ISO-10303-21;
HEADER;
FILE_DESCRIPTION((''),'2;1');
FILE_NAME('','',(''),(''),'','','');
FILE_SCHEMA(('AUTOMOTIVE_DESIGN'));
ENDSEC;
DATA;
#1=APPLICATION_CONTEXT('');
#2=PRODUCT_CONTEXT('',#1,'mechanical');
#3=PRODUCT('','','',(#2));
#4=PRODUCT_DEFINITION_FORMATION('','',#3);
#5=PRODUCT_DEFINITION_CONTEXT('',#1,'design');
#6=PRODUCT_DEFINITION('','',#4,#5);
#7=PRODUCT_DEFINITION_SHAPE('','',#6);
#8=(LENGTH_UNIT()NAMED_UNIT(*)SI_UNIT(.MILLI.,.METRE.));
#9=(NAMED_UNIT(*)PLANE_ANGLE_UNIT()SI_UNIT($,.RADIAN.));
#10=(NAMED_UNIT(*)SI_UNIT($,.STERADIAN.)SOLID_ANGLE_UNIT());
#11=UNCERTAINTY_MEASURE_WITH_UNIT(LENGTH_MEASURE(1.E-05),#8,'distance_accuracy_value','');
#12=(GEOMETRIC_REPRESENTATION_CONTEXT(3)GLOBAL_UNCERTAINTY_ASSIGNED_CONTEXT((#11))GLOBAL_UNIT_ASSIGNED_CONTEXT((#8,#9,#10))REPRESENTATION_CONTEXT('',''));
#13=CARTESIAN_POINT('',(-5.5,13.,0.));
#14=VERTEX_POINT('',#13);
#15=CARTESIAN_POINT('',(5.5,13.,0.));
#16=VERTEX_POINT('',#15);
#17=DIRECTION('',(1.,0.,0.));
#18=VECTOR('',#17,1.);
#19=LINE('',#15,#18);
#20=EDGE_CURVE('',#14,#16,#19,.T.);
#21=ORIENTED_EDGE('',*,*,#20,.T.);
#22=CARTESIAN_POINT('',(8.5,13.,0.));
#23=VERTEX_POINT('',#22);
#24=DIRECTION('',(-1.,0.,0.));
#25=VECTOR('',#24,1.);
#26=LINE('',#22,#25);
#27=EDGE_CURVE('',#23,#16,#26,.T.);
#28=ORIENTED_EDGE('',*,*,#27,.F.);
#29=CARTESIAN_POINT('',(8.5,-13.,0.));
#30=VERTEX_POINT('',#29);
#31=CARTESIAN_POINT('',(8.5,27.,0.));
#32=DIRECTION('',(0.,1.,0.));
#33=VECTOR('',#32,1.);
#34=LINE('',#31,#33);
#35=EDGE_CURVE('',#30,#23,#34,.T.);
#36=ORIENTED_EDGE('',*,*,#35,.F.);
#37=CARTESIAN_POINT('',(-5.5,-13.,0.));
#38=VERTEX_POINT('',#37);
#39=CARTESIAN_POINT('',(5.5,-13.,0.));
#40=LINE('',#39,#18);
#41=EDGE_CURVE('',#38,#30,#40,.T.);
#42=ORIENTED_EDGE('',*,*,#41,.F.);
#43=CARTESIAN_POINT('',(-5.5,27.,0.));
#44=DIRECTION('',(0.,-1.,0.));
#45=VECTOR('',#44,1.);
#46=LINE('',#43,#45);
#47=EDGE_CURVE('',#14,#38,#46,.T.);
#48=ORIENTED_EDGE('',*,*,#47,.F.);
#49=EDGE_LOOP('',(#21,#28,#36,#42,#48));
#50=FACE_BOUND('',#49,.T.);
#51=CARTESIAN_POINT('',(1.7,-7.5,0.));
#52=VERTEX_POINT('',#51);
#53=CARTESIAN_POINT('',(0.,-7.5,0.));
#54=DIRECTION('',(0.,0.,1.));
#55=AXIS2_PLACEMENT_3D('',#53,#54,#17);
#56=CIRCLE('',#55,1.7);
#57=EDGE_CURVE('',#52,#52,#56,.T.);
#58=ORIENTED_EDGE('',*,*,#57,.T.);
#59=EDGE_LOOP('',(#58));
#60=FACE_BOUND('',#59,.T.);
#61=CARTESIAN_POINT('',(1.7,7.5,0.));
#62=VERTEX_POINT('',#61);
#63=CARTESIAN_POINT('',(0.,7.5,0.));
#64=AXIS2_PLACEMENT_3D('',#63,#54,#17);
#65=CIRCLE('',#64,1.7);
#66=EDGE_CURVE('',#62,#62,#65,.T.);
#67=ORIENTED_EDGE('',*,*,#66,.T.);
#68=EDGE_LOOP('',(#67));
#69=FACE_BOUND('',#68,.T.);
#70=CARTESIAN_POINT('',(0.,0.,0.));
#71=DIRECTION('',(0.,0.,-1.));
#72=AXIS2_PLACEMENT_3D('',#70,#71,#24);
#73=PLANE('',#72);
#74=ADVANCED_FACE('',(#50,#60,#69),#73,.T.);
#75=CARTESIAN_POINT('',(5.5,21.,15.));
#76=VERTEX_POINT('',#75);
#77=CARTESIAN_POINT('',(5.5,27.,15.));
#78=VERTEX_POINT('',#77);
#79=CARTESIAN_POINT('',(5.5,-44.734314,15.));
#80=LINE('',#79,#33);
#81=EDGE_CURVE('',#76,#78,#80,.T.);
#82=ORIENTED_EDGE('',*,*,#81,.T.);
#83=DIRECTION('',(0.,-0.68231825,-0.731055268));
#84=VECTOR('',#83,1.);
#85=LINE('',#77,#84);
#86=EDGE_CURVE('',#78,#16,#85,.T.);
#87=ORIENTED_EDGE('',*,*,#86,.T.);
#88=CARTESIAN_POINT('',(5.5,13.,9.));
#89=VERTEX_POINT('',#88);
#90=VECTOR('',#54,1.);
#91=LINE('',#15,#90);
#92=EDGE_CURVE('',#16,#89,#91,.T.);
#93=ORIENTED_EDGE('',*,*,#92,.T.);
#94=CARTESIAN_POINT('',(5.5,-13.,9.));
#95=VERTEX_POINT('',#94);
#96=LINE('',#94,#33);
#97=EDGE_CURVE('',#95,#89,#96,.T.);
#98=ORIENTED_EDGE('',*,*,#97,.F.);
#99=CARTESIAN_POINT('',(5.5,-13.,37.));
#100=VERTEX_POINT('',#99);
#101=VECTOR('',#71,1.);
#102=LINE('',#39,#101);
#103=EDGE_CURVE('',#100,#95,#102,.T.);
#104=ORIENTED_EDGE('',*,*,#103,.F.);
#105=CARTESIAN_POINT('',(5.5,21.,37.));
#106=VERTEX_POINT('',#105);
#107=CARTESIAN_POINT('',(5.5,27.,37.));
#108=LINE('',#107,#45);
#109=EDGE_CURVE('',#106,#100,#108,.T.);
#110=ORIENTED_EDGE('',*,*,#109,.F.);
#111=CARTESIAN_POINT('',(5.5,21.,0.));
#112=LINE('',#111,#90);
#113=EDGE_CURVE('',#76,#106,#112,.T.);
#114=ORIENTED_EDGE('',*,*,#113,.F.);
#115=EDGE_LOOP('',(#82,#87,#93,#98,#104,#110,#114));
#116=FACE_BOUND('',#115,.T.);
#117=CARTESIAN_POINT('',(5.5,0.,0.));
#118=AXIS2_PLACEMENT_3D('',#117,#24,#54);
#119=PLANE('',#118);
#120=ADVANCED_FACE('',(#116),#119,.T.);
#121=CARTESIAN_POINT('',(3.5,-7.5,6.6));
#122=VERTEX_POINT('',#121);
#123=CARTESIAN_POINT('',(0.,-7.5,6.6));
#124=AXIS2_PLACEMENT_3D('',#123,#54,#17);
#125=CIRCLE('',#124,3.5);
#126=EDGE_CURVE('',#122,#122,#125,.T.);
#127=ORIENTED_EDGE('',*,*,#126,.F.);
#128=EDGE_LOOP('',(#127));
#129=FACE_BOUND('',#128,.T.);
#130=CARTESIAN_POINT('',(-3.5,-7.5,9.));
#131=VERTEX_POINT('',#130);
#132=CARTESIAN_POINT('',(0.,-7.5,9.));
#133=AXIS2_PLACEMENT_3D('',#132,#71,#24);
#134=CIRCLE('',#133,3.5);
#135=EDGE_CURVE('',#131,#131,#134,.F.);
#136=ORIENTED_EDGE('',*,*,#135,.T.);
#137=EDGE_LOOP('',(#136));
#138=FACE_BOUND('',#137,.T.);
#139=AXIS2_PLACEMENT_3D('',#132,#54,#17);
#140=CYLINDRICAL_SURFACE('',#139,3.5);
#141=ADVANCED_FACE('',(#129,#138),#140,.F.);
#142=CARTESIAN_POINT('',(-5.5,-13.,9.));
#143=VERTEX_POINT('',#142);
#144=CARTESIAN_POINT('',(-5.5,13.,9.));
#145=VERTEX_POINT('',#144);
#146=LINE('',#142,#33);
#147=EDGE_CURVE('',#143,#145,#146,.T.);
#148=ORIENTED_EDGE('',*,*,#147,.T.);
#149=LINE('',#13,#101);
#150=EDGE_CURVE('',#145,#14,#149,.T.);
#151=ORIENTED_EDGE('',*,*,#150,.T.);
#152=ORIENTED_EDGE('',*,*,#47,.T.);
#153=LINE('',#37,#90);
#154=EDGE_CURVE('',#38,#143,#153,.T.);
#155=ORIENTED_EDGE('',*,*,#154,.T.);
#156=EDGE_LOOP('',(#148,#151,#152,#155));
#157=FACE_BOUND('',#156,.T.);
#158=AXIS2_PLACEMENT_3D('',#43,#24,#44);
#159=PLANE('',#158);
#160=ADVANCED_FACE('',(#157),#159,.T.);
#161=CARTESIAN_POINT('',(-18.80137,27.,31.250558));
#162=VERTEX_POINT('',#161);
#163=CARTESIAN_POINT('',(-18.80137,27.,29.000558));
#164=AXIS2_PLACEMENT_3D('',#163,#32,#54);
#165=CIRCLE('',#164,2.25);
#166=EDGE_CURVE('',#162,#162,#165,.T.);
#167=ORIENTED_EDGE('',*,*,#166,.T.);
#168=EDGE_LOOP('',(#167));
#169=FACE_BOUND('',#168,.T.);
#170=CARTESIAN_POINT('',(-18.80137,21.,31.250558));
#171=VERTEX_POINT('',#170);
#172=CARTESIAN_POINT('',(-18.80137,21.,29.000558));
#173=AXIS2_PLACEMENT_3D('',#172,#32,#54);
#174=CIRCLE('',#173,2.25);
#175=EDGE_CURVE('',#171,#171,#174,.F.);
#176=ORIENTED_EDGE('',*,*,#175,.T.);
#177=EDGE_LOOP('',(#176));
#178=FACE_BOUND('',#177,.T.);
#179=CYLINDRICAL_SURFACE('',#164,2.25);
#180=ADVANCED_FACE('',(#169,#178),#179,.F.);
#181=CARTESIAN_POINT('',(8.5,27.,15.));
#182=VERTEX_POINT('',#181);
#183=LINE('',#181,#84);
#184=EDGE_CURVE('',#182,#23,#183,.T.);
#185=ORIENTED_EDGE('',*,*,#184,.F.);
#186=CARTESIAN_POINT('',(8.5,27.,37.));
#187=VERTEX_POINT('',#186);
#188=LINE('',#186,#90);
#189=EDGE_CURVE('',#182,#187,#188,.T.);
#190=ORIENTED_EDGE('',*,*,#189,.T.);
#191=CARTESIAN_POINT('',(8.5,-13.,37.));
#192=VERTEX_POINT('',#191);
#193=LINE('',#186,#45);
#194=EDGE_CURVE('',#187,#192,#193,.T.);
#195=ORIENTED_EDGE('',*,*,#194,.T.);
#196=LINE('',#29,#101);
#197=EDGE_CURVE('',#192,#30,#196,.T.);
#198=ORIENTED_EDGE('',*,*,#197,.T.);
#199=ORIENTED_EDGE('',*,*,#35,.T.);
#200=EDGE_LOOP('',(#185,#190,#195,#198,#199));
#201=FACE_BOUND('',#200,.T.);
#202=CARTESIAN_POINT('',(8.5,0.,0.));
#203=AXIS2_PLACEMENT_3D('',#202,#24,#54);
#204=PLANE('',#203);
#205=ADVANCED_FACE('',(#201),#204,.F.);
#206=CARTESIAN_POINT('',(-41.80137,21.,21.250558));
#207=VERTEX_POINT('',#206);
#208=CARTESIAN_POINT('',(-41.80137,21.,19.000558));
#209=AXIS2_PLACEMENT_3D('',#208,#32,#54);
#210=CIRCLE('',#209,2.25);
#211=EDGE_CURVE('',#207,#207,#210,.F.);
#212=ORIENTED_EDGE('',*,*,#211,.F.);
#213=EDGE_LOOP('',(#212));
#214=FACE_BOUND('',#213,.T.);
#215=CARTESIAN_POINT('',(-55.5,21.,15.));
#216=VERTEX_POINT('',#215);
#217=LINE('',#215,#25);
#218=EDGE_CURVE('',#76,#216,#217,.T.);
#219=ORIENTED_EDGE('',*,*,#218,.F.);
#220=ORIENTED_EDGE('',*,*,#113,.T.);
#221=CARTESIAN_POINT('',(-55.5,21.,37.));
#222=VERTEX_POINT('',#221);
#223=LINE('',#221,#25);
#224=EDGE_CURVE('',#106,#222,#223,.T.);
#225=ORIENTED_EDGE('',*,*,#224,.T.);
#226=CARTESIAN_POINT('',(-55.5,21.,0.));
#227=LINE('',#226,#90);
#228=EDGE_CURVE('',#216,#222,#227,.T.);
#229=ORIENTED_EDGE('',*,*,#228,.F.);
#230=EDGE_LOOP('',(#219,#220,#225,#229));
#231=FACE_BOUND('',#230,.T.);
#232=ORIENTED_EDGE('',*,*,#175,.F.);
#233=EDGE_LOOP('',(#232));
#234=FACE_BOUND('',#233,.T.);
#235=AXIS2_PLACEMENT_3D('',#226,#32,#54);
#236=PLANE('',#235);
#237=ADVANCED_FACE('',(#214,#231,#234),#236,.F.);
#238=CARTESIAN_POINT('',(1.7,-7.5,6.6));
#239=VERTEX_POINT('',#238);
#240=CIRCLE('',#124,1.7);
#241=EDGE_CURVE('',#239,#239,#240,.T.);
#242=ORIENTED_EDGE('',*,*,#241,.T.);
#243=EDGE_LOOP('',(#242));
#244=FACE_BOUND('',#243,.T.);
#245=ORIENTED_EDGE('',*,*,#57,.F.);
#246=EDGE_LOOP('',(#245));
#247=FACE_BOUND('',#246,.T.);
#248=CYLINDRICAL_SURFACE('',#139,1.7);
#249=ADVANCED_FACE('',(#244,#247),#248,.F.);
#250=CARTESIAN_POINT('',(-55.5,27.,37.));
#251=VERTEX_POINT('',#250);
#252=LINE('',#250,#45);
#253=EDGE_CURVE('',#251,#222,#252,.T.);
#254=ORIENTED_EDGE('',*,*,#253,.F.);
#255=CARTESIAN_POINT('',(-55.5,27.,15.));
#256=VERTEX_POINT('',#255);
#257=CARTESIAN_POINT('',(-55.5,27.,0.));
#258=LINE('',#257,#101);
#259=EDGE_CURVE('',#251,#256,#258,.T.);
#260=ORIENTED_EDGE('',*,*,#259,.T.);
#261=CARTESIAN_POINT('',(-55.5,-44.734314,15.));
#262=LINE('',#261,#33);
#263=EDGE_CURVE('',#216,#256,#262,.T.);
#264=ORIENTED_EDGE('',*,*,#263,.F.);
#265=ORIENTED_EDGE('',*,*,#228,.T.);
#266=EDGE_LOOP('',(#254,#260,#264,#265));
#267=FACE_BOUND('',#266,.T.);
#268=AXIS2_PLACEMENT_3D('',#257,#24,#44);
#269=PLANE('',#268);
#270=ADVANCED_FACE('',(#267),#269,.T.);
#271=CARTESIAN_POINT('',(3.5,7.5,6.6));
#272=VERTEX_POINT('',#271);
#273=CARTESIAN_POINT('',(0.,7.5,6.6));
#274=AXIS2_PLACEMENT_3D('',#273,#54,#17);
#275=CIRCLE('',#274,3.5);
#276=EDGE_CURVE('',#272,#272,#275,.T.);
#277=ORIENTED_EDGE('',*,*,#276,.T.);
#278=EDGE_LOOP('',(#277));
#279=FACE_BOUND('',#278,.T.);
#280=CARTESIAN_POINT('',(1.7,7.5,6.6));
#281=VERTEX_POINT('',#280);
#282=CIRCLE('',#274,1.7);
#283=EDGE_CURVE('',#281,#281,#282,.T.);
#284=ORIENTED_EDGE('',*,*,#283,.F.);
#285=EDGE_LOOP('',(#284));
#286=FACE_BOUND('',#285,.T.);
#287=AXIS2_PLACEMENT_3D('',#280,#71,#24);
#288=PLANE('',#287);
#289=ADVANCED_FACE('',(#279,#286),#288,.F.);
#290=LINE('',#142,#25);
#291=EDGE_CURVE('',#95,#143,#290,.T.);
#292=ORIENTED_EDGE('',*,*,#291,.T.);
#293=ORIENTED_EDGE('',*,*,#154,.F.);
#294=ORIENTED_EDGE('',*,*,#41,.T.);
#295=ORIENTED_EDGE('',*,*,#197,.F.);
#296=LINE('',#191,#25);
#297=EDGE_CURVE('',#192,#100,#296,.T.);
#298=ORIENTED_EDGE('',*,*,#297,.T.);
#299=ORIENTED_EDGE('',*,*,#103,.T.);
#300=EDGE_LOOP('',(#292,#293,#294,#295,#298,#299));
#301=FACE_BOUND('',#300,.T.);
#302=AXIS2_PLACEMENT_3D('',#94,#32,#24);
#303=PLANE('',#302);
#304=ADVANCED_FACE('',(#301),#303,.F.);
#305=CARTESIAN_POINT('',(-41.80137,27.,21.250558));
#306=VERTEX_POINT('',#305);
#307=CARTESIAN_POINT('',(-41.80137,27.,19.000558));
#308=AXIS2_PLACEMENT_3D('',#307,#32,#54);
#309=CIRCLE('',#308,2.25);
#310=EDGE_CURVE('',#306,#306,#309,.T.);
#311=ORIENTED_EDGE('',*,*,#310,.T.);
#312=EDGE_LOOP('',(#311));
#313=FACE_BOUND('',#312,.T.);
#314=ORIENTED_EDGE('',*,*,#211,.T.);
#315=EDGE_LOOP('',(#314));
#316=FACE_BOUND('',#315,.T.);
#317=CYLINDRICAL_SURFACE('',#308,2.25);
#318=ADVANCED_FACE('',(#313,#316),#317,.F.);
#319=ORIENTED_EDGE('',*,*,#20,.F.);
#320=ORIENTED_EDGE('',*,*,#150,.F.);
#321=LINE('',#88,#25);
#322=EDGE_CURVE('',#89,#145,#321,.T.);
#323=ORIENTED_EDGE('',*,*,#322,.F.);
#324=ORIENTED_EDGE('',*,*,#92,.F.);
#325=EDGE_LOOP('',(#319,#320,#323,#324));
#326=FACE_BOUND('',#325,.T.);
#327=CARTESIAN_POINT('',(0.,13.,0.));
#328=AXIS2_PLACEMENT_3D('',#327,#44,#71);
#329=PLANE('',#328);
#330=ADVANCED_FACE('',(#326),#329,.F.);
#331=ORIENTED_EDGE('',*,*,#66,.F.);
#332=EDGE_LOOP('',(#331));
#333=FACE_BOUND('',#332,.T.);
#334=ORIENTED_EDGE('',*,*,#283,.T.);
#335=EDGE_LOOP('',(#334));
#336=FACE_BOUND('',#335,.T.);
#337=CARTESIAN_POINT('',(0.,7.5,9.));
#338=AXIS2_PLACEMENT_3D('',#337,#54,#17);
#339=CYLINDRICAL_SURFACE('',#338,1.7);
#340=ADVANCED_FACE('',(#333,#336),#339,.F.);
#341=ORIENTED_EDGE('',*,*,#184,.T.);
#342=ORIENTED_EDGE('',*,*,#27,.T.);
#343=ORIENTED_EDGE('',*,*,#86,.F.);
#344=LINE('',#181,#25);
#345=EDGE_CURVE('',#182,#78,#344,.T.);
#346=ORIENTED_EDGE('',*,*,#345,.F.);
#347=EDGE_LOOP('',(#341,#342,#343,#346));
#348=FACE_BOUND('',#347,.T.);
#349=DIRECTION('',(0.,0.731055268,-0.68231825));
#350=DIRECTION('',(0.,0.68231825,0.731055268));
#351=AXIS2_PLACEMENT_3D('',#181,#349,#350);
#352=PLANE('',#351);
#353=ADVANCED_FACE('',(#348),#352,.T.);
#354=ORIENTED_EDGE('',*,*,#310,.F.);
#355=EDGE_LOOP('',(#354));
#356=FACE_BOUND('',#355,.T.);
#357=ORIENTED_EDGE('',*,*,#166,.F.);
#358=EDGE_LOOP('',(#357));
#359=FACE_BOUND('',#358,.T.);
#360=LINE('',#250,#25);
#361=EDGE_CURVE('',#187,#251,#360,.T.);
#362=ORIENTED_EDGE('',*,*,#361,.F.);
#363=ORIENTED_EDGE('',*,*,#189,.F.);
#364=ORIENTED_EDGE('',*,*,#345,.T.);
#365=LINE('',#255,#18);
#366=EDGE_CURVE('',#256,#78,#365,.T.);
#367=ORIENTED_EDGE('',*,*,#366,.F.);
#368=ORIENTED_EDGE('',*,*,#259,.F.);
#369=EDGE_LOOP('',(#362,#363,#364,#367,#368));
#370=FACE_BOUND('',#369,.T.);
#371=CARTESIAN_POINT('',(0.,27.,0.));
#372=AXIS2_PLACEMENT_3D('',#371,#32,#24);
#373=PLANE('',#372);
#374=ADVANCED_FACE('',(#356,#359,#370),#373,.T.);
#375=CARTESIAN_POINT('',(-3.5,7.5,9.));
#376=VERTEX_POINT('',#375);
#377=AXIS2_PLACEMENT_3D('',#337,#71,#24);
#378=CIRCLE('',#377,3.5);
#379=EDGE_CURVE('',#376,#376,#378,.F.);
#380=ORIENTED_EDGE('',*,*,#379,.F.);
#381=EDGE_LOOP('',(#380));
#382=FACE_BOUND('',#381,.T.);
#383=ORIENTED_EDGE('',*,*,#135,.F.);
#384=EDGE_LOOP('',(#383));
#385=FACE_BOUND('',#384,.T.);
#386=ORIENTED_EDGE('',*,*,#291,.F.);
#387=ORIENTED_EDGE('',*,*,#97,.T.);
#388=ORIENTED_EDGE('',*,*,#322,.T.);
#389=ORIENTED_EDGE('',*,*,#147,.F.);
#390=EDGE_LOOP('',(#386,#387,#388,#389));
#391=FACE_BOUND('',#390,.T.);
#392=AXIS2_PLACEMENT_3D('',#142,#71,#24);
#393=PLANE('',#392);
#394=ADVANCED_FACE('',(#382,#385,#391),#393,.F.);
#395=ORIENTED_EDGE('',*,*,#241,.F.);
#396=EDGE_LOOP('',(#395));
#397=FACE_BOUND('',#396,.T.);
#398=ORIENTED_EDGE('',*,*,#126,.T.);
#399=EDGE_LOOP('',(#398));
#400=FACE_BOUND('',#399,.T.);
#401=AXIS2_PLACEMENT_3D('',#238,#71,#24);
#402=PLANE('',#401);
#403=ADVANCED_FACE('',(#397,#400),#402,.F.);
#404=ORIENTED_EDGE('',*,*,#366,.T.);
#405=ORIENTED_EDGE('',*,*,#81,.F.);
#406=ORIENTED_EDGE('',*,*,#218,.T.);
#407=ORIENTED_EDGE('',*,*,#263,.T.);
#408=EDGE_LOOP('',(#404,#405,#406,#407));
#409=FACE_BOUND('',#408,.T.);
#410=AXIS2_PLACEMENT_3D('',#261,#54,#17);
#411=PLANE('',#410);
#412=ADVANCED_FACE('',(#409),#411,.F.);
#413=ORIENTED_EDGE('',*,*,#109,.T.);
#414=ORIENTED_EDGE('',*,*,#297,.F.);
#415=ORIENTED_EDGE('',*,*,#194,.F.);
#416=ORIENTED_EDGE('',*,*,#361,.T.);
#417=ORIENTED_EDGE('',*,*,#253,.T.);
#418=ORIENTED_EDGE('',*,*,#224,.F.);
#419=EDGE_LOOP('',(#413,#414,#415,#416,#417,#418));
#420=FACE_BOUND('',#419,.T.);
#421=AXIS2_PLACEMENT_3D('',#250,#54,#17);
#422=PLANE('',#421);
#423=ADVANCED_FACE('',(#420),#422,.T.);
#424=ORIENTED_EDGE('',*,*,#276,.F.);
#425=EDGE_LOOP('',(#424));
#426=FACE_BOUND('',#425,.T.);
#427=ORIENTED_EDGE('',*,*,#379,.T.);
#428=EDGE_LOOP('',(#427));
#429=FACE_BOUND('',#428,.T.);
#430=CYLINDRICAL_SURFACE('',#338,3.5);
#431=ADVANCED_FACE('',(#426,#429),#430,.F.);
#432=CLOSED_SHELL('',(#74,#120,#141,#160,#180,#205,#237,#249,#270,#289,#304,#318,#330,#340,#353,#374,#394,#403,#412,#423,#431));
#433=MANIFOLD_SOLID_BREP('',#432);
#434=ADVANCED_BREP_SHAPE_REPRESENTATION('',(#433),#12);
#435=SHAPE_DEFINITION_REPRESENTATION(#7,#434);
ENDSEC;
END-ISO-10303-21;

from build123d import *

# Parameters (mm, degrees)
ESQUISSE1_W                                        = 11
ESQUISSE1_H                                        = 26
BOSS_EXTRU_1_DEPTH                                 = 9
CHAMBRAGE_POUR_VIS_T_TE_RONDE_BOMB_E_M_D           = 3.4
CHAMBRAGE_POUR_VIS_T_TE_RONDE_BOMB_E_M_CBORE_D     = 7
CHAMBRAGE_POUR_VIS_T_TE_RONDE_BOMB_E_M_CBORE_DEPTH = 2.4
BOSS_EXTRU_2_DEPTH                                 = 40
DIAM_TRE_DU_PER_AGE_4_5_4_5_1_D                    = 4.5
ESQUISSE20_W                                       = 11
ESQUISSE20_H                                       = 28
ENL_V_MAT_EXTRU_6_DEPTH                            = 78.776924598
ESQUISSE21_W                                       = 50
ESQUISSE21_H                                       = 34
ENL_V_MAT_EXTRU_7_DEPTH                            = 72.960058366
ESQUISSE23_W                                       = 11
ESQUISSE23_H                                       = 14
BOSS_EXTRU_3_DEPTH                                 = 37
ESQUISSE24_W                                       = 37
ESQUISSE24_H                                       = 40
BOSS_EXTRU_4_DEPTH                                 = 3
ESQUISSE27_W                                       = 11
ESQUISSE27_H                                       = 37
ENL_V_MAT_EXTRU_11_DEPTH                           = 8
ESQUISSE28_W                                       = 64
ESQUISSE28_H                                       = 15
ENL_V_MAT_EXTRU_12_DEPTH                           = 6
ESQUISSE30_W                                       = 15
ESQUISSE30_H                                       = 8
ENL_V_MAT_EXTRU_13_DEPTH                           = 77.282370178
BOSS_EXTRU_6_DEPTH                                 = 3


with BuildPart() as part:
    # Esquisse1 → Boss.-Extru.1 (new body)
    with BuildSketch(Plane.XY):
        Rectangle(ESQUISSE1_W, ESQUISSE1_H)
    extrude(amount=BOSS_EXTRU_1_DEPTH)

    # Chambrage pour vis à tête ronde bombée M31 (through all)
    with Locations(Plane.XY.offset(9)):
        with Locations((0, 7.5), (0, -7.5)):
            CounterBoreHole(CHAMBRAGE_POUR_VIS_T_TE_RONDE_BOMB_E_M_D / 2, CHAMBRAGE_POUR_VIS_T_TE_RONDE_BOMB_E_M_CBORE_D / 2, CHAMBRAGE_POUR_VIS_T_TE_RONDE_BOMB_E_M_CBORE_DEPTH)

    # Esquisse8 → Boss.-Extru.2 (add)
    with BuildSketch(Plane.XZ.offset(13)):
        Polygon((-55.5, 0), (-55.5, 37), (5.5, 37), (5.5, 9), (-5.5, 9), (-5.5, 0), align=None)
    extrude(amount=-BOSS_EXTRU_2_DEPTH)

    # Diamètre du perçage Ø4.5 (4.5)1 (through all)
    with Locations(Plane(origin=(0, 27, 0), x_dir=(1, 0, 0), z_dir=(0, 1, 0))):
        with Locations((-41.801370091, -19.00055804), (-18.801370091, -29.00055804)):
            Hole(DIAM_TRE_DU_PER_AGE_4_5_4_5_1_D / 2)

    # Esquisse20 → Enlèv. mat.-Extru.6 (cut, through all)
    with BuildSketch(Plane(origin=(0, 27, 0), x_dir=(1, 0, 0), z_dir=(0, 1, 0))):
        with Locations((0, -23)):
            Rectangle(ESQUISSE20_W, ESQUISSE20_H)
    extrude(amount=-ENL_V_MAT_EXTRU_6_DEPTH, mode=Mode.SUBTRACT)

    # Esquisse21 → Enlèv. mat.-Extru.7 (cut, through all)
    with BuildSketch(Plane.XY.offset(37)):
        with Locations((-30.5, 4)):
            Rectangle(ESQUISSE21_W, ESQUISSE21_H)
    extrude(amount=-ENL_V_MAT_EXTRU_7_DEPTH, mode=Mode.SUBTRACT)


with BuildPart() as enl_v_mat_extru_7_piece_1:
    # of the separate pieces the step leaves, piece 1, a body of its own (enl_v_mat_extru_7_pieces)
    add(part.part.solids().sort_by_distance((-5.5, 21, 0))[0])



with BuildPart() as enl_v_mat_extru_7_piece_2:
    # of the separate pieces the step leaves, piece 2, a body of its own (enl_v_mat_extru_7_pieces)
    add(part.part.solids().sort_by_distance((5.5, 13, 0))[0])


with BuildPart() as enl_v_mat_extru_7_piece_1_1:
    add(enl_v_mat_extru_7_piece_1.part)

    add(enl_v_mat_extru_7_piece_2.part)  # Boss.-Extru.3 merges Enlèv. mat.-Extru.7 piece 2
    # Esquisse23 → Boss.-Extru.3 (add, through all)
    with BuildSketch(Plane.XY.offset(37)):
        with Locations((0, 20)):
            Rectangle(ESQUISSE23_W, ESQUISSE23_H)
    extrude(amount=-BOSS_EXTRU_3_DEPTH)

    # Esquisse24 → Boss.-Extru.4 (add)
    with BuildSketch(Plane(origin=(5.5, 0, 0), x_dir=(0, 0, -1), z_dir=(1, 0, 0))):
        with Locations((-18.5, 7)):
            Rectangle(ESQUISSE24_W, ESQUISSE24_H)
    extrude(amount=BOSS_EXTRU_4_DEPTH)

    # Esquisse27 → Enlèv. mat.-Extru.11 (cut)
    with BuildSketch(Plane.XZ.offset(-21)):
        with Locations((0, 18.5)):
            Rectangle(ESQUISSE27_W, ESQUISSE27_H)
    extrude(amount=ENL_V_MAT_EXTRU_11_DEPTH, mode=Mode.SUBTRACT)

    # Esquisse28 → Enlèv. mat.-Extru.12 (cut)
    with BuildSketch(Plane(origin=(0, 27, 0), x_dir=(1, 0, 0), z_dir=(0, 1, 0))):
        with Locations((-23.5, -7.5)):
            Rectangle(ESQUISSE28_W, ESQUISSE28_H)
    extrude(amount=-ENL_V_MAT_EXTRU_12_DEPTH, mode=Mode.SUBTRACT)

    # Esquisse30 → Enlèv. mat.-Extru.13 (cut, through all)
    with BuildSketch(Plane.ZY.offset(-5.5)):
        with Locations((7.5, 17)):
            Rectangle(ESQUISSE30_W, ESQUISSE30_H)
    extrude(amount=-ENL_V_MAT_EXTRU_13_DEPTH, mode=Mode.SUBTRACT)

    # Esquisse31 → Boss.-Extru.6 (add, through all)
    with BuildSketch(Plane.ZY.offset(-5.5)):
        Polygon((15, 27), (0, 13), (15, 13), align=None)
    extrude(amount=-BOSS_EXTRU_6_DEPTH)


solid = enl_v_mat_extru_7_piece_1_1.part
